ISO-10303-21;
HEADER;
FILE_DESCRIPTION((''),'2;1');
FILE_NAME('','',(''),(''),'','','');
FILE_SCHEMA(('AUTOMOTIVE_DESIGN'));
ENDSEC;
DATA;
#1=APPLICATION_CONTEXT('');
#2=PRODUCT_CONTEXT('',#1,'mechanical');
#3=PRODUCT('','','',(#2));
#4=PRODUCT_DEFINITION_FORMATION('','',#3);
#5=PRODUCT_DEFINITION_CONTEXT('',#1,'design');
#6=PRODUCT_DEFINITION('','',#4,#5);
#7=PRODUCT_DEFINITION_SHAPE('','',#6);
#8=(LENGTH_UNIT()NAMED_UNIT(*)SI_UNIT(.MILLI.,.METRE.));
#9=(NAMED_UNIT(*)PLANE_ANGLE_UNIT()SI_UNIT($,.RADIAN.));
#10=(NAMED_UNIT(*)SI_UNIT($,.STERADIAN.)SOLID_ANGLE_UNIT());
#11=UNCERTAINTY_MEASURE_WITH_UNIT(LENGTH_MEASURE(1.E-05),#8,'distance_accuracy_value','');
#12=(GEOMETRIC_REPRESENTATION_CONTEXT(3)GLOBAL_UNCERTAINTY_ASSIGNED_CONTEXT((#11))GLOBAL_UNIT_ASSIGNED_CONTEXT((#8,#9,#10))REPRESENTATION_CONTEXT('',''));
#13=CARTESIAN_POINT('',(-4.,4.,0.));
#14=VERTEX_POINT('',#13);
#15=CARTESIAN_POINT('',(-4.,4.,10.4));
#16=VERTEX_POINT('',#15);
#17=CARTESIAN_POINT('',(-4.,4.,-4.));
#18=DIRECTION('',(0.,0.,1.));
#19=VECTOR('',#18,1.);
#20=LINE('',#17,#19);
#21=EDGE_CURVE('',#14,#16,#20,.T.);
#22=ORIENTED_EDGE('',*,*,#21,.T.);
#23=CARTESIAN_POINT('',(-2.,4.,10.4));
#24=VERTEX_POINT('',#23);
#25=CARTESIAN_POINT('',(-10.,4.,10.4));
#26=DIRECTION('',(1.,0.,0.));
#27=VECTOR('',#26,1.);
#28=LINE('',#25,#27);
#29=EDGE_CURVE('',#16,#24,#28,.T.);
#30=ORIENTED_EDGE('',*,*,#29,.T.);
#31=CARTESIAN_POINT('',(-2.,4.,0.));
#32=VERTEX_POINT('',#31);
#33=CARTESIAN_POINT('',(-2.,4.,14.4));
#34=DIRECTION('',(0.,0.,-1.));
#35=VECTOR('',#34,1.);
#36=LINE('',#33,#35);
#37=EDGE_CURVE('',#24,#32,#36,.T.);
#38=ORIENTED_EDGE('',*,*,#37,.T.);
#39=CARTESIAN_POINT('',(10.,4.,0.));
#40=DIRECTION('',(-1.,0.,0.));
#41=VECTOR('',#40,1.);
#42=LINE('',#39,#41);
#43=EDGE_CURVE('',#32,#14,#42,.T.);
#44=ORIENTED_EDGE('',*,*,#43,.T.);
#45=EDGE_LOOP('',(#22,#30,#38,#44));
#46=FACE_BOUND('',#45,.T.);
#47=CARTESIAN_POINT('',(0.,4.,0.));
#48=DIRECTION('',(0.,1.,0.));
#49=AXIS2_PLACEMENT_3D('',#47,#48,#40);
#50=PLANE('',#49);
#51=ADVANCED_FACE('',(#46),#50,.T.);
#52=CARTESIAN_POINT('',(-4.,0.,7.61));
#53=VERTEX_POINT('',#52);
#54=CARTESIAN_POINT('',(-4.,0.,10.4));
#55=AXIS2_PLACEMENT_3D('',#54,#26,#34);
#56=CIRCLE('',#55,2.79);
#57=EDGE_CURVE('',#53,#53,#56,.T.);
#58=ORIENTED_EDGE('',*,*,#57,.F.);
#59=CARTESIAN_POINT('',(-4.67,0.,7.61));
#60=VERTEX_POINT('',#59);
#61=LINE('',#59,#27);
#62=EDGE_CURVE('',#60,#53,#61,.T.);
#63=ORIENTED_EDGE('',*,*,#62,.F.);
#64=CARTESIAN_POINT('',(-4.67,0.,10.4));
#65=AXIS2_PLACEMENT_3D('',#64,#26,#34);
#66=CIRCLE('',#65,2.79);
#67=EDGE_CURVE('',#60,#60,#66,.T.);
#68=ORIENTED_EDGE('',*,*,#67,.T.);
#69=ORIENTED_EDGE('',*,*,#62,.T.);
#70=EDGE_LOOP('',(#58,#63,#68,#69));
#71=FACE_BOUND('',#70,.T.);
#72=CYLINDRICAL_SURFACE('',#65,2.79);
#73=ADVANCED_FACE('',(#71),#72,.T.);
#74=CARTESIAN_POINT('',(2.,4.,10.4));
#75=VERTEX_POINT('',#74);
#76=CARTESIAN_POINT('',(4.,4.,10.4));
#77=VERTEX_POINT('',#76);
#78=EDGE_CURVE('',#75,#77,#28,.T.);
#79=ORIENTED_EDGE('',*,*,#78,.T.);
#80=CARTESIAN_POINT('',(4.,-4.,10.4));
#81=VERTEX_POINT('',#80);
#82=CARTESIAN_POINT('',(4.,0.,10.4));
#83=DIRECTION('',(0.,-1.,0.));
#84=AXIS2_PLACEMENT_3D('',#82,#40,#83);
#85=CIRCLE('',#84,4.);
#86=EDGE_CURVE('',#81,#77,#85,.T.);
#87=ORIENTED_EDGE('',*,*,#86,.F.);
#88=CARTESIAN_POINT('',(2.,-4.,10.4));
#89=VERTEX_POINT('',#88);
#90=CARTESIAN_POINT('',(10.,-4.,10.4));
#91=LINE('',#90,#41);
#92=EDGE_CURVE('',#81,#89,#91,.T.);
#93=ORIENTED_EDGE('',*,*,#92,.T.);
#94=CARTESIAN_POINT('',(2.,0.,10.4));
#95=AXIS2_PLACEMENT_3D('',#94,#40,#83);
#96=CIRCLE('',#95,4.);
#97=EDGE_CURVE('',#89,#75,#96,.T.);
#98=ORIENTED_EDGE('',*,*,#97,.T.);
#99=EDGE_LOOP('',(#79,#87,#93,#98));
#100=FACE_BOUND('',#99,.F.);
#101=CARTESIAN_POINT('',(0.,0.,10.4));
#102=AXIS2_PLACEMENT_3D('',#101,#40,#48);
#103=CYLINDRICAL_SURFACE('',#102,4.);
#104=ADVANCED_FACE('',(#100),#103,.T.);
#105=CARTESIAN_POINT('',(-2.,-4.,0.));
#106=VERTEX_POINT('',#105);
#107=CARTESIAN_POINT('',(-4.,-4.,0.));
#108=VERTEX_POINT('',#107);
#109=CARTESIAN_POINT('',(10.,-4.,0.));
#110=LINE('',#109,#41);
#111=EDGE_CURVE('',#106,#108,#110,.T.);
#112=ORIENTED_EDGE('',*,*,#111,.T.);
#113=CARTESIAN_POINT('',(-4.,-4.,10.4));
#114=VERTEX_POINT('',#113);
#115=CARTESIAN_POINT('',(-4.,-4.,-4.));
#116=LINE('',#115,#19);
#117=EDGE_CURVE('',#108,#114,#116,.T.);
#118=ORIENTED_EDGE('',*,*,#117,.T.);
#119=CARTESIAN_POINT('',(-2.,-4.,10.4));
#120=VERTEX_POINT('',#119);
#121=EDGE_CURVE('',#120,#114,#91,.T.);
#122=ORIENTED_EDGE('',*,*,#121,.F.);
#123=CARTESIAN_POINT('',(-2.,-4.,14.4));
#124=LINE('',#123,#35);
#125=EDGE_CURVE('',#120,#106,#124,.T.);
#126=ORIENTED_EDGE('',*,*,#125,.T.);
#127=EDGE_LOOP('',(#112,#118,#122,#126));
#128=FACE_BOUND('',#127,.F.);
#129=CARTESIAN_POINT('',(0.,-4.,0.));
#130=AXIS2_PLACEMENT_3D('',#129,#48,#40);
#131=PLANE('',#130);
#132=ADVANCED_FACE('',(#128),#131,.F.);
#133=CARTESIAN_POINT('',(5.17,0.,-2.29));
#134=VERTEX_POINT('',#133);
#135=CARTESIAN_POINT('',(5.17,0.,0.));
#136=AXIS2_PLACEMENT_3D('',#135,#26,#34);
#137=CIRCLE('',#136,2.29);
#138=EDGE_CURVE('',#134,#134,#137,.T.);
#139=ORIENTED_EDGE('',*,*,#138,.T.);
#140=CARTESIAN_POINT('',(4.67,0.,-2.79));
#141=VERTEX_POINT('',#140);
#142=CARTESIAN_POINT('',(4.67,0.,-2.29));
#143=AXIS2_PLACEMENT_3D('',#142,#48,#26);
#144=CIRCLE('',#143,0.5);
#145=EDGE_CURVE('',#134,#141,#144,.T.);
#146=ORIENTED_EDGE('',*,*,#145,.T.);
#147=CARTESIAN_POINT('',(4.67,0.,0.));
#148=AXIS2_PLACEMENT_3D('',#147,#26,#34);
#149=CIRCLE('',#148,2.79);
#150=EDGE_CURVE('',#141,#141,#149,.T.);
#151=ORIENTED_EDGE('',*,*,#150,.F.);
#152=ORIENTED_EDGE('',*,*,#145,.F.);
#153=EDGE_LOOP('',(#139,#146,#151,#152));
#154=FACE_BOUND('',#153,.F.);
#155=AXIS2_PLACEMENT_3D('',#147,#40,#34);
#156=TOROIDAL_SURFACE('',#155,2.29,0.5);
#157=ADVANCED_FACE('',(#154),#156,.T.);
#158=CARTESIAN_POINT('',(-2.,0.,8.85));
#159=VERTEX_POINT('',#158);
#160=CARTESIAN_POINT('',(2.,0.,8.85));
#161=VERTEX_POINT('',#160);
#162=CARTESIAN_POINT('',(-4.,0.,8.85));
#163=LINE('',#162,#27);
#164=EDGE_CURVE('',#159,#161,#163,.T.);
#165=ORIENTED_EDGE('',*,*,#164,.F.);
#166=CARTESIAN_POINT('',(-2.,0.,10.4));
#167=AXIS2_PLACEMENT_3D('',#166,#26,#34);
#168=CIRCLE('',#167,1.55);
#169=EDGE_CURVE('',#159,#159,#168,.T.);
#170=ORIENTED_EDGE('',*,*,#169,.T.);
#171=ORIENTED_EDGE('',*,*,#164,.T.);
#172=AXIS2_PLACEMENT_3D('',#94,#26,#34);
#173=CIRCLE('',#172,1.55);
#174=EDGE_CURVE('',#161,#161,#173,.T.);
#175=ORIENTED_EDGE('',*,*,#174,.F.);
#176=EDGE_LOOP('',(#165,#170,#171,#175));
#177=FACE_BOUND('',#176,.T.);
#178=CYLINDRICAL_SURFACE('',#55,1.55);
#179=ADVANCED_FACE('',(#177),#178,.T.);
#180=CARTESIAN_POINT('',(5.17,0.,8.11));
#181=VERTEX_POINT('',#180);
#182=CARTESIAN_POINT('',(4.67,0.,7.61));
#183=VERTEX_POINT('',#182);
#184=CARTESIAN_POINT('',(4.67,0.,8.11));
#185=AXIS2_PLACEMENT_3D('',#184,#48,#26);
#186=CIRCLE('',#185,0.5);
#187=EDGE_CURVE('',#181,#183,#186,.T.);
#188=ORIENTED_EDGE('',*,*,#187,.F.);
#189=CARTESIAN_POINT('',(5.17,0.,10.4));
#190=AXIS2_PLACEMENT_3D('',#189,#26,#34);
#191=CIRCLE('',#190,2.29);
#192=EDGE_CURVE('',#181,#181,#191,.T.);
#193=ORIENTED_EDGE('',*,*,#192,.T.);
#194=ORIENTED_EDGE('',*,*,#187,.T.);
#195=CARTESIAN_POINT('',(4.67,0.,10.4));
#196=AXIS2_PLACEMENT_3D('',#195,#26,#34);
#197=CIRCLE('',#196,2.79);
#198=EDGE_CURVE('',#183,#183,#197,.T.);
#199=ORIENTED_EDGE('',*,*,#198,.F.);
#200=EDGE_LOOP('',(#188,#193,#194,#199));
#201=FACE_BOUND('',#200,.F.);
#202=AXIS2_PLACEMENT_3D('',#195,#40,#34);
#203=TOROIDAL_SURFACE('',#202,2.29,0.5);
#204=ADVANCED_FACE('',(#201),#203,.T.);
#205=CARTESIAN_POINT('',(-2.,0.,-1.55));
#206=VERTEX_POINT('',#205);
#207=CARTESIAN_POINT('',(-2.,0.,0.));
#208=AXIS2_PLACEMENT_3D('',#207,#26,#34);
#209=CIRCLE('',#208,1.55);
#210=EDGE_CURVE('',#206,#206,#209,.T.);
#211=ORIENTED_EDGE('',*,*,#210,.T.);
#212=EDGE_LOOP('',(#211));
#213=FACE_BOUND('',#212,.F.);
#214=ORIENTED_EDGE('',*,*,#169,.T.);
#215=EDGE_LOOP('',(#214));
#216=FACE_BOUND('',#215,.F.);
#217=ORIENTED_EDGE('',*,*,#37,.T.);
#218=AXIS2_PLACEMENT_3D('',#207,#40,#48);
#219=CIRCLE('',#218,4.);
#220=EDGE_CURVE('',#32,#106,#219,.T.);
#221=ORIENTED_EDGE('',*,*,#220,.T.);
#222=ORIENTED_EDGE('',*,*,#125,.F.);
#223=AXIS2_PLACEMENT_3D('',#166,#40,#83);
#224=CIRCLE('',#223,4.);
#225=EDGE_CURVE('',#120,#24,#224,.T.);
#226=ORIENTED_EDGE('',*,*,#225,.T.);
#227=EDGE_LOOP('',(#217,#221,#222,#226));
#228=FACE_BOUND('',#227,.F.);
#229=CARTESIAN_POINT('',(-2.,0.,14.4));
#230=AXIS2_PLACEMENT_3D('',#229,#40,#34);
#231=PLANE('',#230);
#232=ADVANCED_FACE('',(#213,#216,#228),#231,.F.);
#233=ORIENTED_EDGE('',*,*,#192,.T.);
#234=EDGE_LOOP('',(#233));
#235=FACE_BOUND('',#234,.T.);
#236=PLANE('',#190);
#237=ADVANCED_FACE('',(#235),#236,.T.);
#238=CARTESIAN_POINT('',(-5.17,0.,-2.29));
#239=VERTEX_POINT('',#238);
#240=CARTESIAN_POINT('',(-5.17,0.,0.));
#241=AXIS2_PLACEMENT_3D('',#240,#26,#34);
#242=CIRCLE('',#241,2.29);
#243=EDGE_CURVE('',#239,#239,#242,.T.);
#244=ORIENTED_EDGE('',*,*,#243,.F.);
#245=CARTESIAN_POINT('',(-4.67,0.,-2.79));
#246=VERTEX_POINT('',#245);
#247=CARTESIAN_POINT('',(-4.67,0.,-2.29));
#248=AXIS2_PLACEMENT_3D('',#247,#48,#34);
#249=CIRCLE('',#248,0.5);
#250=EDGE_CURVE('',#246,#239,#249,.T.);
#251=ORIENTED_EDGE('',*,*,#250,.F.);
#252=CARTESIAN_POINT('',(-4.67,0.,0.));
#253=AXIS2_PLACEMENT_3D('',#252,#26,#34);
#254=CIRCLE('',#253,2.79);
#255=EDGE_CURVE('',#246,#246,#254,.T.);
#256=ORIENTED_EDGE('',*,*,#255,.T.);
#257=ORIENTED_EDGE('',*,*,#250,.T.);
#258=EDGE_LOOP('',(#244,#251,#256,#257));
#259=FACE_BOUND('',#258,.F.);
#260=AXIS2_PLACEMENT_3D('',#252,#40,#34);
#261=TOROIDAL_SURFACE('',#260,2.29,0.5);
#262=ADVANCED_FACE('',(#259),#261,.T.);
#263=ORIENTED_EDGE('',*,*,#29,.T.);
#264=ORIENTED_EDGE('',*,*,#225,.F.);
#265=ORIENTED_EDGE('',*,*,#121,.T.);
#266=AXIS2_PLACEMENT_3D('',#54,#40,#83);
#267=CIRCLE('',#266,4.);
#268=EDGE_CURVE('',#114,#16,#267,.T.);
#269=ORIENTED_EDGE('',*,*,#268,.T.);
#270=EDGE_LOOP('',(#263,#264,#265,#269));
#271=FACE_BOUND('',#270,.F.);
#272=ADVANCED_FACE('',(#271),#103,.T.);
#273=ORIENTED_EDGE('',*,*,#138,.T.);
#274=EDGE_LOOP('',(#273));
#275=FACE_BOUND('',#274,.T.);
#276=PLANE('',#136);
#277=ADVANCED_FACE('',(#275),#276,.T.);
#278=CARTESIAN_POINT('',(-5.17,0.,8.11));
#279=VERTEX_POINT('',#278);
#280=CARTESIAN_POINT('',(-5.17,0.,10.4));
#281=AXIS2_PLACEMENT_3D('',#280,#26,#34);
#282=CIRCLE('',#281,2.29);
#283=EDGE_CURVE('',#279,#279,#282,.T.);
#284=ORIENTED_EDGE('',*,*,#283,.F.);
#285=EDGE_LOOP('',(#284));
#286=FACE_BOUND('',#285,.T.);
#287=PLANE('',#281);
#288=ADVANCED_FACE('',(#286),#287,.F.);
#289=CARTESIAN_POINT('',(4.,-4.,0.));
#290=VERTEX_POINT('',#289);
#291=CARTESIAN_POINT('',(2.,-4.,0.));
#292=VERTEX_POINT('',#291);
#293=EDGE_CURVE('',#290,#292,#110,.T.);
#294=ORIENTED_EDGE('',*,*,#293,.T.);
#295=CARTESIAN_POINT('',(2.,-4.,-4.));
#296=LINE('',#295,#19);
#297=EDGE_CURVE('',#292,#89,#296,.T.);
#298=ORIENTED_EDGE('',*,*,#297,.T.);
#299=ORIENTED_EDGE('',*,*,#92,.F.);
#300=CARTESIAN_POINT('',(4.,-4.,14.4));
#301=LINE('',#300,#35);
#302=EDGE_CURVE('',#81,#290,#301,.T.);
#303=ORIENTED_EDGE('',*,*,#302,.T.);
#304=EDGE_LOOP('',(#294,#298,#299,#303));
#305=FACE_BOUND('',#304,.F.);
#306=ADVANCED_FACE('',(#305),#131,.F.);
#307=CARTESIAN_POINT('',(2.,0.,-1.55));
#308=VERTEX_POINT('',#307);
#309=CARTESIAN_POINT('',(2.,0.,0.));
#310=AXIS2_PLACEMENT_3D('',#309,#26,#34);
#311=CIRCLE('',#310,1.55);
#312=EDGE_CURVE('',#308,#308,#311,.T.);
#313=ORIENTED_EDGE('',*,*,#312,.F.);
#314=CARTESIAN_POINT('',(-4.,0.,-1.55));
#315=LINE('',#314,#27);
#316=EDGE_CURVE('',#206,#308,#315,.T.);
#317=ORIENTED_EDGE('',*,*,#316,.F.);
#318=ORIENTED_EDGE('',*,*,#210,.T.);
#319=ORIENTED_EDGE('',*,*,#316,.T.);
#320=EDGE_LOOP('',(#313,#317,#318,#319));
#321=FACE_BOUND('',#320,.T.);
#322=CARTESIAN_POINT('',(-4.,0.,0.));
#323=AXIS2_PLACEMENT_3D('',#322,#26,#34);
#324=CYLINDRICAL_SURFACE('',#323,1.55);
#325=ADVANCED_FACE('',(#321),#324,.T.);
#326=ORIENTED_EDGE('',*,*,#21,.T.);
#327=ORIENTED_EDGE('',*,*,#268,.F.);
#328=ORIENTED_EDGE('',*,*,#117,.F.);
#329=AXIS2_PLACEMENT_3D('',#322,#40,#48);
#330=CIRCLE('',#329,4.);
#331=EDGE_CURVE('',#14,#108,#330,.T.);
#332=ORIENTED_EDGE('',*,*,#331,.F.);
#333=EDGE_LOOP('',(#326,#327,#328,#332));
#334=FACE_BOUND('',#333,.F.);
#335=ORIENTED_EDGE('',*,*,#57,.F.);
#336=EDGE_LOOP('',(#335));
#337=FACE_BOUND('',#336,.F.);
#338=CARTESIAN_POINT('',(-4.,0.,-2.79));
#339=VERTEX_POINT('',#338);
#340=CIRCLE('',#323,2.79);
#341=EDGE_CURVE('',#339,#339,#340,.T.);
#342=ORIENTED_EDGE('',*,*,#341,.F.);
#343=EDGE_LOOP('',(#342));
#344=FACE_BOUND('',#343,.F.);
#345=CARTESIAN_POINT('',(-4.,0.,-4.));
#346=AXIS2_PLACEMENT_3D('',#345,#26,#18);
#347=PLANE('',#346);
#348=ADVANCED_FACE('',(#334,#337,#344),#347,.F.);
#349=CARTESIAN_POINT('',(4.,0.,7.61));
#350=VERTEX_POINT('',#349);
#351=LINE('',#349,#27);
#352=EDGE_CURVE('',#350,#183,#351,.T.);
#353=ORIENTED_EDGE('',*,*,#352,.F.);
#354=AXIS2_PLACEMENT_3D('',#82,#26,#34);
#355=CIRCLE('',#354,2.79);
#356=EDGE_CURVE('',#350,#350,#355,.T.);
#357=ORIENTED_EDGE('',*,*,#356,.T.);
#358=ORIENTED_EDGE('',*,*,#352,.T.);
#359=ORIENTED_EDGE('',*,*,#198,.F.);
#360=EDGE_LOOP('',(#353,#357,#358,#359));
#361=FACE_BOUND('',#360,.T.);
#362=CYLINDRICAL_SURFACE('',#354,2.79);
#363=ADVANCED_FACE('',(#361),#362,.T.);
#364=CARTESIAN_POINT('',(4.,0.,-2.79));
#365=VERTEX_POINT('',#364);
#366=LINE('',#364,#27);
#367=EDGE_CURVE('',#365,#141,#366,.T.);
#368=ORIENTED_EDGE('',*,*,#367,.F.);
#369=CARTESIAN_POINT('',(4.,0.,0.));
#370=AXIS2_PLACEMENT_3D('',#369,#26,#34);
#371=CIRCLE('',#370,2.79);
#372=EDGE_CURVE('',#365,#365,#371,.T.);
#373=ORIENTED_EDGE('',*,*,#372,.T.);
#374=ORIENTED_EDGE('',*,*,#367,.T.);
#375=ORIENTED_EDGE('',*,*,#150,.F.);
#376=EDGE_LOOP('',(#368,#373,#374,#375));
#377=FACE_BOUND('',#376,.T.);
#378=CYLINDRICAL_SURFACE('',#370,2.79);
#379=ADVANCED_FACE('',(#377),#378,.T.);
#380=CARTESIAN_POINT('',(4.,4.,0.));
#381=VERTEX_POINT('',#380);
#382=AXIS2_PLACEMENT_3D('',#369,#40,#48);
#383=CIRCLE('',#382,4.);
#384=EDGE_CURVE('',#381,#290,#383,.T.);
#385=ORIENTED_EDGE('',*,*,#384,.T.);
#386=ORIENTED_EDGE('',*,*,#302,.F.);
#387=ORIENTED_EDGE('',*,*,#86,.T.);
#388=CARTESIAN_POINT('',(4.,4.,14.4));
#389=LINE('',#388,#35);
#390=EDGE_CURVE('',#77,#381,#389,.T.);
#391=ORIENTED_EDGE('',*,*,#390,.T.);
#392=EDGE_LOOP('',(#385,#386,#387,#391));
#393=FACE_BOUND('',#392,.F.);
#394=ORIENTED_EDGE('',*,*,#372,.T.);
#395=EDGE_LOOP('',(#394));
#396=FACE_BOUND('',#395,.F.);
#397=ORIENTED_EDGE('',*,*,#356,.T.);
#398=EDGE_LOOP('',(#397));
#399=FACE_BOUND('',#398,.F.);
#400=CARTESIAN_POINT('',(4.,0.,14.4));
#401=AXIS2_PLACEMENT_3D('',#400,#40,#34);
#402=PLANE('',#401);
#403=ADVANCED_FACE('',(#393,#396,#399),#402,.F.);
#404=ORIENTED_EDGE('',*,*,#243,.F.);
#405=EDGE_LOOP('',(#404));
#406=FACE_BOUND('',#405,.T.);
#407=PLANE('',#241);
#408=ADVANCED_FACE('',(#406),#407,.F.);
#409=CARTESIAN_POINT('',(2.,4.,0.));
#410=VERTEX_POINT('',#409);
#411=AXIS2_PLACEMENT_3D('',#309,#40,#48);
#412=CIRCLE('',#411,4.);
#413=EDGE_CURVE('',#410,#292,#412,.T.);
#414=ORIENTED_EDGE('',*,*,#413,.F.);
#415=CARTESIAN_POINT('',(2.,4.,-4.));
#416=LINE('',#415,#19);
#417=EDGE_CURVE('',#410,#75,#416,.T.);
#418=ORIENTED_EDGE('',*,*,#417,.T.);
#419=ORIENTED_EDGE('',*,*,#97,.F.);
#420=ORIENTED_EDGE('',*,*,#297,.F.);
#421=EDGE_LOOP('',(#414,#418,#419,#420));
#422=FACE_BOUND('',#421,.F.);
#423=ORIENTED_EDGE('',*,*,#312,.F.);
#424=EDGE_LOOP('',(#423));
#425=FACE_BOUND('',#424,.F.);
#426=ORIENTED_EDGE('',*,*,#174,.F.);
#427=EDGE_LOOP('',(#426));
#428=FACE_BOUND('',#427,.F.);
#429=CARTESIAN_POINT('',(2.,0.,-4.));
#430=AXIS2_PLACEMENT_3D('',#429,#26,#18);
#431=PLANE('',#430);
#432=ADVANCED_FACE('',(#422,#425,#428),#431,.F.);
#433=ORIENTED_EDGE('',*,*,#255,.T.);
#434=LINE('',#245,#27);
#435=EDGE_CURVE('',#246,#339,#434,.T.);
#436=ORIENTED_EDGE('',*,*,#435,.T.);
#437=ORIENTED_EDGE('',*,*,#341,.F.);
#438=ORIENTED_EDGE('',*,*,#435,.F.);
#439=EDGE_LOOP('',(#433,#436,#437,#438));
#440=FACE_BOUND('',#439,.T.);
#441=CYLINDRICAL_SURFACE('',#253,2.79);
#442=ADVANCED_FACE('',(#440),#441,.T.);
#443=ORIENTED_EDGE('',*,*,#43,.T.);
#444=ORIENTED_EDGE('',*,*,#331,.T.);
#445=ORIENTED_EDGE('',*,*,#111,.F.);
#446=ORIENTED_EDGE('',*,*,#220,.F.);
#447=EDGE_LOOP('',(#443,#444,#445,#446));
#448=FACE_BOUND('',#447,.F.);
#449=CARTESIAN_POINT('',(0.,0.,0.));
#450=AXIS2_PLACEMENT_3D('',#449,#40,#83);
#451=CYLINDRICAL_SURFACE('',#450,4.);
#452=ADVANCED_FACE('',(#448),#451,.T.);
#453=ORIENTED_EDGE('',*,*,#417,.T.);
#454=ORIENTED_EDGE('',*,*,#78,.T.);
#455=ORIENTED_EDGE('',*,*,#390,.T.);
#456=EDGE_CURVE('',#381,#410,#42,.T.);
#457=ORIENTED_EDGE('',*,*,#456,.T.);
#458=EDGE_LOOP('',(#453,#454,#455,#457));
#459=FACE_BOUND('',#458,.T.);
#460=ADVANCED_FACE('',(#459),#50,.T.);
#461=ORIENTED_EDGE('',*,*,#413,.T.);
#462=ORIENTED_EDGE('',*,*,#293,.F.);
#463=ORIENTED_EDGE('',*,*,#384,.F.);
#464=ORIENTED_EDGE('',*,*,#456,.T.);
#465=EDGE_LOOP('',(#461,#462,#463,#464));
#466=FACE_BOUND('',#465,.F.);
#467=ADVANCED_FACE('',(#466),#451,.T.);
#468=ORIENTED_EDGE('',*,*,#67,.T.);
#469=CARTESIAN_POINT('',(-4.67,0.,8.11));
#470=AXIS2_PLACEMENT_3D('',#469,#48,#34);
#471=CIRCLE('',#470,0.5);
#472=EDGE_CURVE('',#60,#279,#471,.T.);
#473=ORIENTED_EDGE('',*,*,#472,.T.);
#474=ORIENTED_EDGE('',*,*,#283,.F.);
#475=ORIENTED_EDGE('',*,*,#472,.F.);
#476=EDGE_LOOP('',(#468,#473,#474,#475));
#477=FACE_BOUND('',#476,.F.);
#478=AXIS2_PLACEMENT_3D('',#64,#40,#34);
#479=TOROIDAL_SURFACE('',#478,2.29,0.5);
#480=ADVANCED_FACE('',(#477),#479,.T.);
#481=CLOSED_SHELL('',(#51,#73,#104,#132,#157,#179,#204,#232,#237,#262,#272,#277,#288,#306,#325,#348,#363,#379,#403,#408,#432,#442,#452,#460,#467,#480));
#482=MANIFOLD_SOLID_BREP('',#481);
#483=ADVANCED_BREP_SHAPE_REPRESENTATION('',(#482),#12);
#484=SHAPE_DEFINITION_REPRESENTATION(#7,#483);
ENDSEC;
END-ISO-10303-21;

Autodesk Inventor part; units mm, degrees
sketch "Skizze_1" plane through (0, 0, 0) normal (0, 1, 0) x (-1, 0, 0)
  line L0 (4, 14.4) -> (2, 14.4)
  line L1 (2, 14.4) -> (2, -4)
  line L2 (2, -4) -> (4, -4)
  line L3 (4, -4) -> (4, 14.4)
extrude "Extrusion1" add sketch "Skizze_1" along normal mid plane 8
sketch "Skizze_2" plane through (0, 0, 0) normal (0, 1, 0) x (-1, 0, 0)
  line L0 (-5.17, 0) -> (0, 0)
  line L1 (5.17, 0) -> (5.17, -2.29)
  arc A0 (4.67, -2.79) -> (5.17, -2.29) centre (4.67, -2.29) ccw
  line L2 (4.67, -2.79) -> (4, -2.79)
  line L3 (4, -2.79) -> (4, -1.55)
  line L4 (4, -1.55) -> (-4, -1.55)
  line L5 (-4, -1.55) -> (-4, -2.79)
  line L6 (-4, -2.79) -> (-4.67, -2.79)
  arc A1 (-5.17, -2.29) -> (-4.67, -2.79) centre (-4.67, -2.29) ccw
  line L7 (-5.17, -2.29) -> (-5.17, 0)
  line L8 (-5.17, 0) -> (5.17, 0)
revolve "Revolution1" add sketch "Skizze_2" angle 360 about axis through (5.17, 0, 0) along (1, 0, 0)
sketch "Skizze_3" plane through (0, 0, 0) normal (0, 1, 0) x (-1, 0, 0)
  line L0 (-5.17, 10.4) -> (0, 10.4)
  line L1 (5.17, 10.4) -> (5.17, 8.11)
  arc A0 (4.67, 7.61) -> (5.17, 8.11) centre (4.67, 8.11) ccw
  line L2 (4.67, 7.61) -> (4, 7.61)
  line L3 (4, 7.61) -> (4, 8.85)
  line L4 (4, 8.85) -> (-4, 8.85)
  line L5 (-4, 8.85) -> (-4, 7.61)
  line L6 (-4, 7.61) -> (-4.67, 7.61)
  arc A1 (-5.17, 8.11) -> (-4.67, 7.61) centre (-4.67, 8.11) ccw
  line L7 (-5.17, 8.11) -> (-5.17, 10.4)
  line L8 (-5.17, 10.4) -> (5.17, 10.4)
revolve "Revolution2" add sketch "Skizze_3" angle 360 about axis through (5.17, 0, 10.4) along (1, 0, 0)
sketch "Skizze_4" plane through (0, 0, 0) normal (0, 1, 0) x (-1, 0, 0)
  line L0 (-2, 14.4) -> (-4, 14.4)
  line L1 (-4, 14.4) -> (-4, -4)
  line L2 (-4, -4) -> (-2, -4)
  line L3 (-2, -4) -> (-2, 14.4)
extrude "Extrusion2" add sketch "Skizze_4" along normal mid plane 8
sketch "Skizze_5" plane through (0, 0, 0) normal (1, 0, 0) x (0, 1, 0)
  line L0 (-20, 30) -> (-20, -40)
  line L1 (-20, -40) -> (10, -40)
  line L2 (10, -40) -> (10, 30)
  line L3 (10, 30) -> (-20, 30)
  arc A0 (4, 10.4) -> (-4, 10.4) centre (0, 10.4) ccw
  line L4 (-4, 10.4) -> (-4, 0)
  arc A1 (-4, 0) -> (4, 0) centre (0, 0) ccw
  line L5 (4, 0) -> (4, 10.4)
extrude "Extrusion3" cut sketch "Skizze_5" along normal mid plane 20
ref_plane "ZS1_XY" through (0, 0, 0) normal (1, 0, 0) x (0, 0, -1)
ref_plane "ZS1_YZ" through (0, 0, 0) normal (0, 0, -1) x (0, 1, 0)
ref_plane "ZS1_ZX" through (0, 0, 0) normal (0, 1, 0) x (1, 0, 0)
ref_plane "ZS2_XY" through (0, 0, 10.4) normal (1, 0, 0) x (0, 0, -1)
ref_plane "ZS2_YZ" through (0, 0, 10.4) normal (0, 0, -1) x (0, 1, 0)
ref_plane "ZS2_ZX" through (0, 0, 10.4) normal (0, 1, 0) x (1, 0, 0)
properties part number "305103-M-KOMP"
